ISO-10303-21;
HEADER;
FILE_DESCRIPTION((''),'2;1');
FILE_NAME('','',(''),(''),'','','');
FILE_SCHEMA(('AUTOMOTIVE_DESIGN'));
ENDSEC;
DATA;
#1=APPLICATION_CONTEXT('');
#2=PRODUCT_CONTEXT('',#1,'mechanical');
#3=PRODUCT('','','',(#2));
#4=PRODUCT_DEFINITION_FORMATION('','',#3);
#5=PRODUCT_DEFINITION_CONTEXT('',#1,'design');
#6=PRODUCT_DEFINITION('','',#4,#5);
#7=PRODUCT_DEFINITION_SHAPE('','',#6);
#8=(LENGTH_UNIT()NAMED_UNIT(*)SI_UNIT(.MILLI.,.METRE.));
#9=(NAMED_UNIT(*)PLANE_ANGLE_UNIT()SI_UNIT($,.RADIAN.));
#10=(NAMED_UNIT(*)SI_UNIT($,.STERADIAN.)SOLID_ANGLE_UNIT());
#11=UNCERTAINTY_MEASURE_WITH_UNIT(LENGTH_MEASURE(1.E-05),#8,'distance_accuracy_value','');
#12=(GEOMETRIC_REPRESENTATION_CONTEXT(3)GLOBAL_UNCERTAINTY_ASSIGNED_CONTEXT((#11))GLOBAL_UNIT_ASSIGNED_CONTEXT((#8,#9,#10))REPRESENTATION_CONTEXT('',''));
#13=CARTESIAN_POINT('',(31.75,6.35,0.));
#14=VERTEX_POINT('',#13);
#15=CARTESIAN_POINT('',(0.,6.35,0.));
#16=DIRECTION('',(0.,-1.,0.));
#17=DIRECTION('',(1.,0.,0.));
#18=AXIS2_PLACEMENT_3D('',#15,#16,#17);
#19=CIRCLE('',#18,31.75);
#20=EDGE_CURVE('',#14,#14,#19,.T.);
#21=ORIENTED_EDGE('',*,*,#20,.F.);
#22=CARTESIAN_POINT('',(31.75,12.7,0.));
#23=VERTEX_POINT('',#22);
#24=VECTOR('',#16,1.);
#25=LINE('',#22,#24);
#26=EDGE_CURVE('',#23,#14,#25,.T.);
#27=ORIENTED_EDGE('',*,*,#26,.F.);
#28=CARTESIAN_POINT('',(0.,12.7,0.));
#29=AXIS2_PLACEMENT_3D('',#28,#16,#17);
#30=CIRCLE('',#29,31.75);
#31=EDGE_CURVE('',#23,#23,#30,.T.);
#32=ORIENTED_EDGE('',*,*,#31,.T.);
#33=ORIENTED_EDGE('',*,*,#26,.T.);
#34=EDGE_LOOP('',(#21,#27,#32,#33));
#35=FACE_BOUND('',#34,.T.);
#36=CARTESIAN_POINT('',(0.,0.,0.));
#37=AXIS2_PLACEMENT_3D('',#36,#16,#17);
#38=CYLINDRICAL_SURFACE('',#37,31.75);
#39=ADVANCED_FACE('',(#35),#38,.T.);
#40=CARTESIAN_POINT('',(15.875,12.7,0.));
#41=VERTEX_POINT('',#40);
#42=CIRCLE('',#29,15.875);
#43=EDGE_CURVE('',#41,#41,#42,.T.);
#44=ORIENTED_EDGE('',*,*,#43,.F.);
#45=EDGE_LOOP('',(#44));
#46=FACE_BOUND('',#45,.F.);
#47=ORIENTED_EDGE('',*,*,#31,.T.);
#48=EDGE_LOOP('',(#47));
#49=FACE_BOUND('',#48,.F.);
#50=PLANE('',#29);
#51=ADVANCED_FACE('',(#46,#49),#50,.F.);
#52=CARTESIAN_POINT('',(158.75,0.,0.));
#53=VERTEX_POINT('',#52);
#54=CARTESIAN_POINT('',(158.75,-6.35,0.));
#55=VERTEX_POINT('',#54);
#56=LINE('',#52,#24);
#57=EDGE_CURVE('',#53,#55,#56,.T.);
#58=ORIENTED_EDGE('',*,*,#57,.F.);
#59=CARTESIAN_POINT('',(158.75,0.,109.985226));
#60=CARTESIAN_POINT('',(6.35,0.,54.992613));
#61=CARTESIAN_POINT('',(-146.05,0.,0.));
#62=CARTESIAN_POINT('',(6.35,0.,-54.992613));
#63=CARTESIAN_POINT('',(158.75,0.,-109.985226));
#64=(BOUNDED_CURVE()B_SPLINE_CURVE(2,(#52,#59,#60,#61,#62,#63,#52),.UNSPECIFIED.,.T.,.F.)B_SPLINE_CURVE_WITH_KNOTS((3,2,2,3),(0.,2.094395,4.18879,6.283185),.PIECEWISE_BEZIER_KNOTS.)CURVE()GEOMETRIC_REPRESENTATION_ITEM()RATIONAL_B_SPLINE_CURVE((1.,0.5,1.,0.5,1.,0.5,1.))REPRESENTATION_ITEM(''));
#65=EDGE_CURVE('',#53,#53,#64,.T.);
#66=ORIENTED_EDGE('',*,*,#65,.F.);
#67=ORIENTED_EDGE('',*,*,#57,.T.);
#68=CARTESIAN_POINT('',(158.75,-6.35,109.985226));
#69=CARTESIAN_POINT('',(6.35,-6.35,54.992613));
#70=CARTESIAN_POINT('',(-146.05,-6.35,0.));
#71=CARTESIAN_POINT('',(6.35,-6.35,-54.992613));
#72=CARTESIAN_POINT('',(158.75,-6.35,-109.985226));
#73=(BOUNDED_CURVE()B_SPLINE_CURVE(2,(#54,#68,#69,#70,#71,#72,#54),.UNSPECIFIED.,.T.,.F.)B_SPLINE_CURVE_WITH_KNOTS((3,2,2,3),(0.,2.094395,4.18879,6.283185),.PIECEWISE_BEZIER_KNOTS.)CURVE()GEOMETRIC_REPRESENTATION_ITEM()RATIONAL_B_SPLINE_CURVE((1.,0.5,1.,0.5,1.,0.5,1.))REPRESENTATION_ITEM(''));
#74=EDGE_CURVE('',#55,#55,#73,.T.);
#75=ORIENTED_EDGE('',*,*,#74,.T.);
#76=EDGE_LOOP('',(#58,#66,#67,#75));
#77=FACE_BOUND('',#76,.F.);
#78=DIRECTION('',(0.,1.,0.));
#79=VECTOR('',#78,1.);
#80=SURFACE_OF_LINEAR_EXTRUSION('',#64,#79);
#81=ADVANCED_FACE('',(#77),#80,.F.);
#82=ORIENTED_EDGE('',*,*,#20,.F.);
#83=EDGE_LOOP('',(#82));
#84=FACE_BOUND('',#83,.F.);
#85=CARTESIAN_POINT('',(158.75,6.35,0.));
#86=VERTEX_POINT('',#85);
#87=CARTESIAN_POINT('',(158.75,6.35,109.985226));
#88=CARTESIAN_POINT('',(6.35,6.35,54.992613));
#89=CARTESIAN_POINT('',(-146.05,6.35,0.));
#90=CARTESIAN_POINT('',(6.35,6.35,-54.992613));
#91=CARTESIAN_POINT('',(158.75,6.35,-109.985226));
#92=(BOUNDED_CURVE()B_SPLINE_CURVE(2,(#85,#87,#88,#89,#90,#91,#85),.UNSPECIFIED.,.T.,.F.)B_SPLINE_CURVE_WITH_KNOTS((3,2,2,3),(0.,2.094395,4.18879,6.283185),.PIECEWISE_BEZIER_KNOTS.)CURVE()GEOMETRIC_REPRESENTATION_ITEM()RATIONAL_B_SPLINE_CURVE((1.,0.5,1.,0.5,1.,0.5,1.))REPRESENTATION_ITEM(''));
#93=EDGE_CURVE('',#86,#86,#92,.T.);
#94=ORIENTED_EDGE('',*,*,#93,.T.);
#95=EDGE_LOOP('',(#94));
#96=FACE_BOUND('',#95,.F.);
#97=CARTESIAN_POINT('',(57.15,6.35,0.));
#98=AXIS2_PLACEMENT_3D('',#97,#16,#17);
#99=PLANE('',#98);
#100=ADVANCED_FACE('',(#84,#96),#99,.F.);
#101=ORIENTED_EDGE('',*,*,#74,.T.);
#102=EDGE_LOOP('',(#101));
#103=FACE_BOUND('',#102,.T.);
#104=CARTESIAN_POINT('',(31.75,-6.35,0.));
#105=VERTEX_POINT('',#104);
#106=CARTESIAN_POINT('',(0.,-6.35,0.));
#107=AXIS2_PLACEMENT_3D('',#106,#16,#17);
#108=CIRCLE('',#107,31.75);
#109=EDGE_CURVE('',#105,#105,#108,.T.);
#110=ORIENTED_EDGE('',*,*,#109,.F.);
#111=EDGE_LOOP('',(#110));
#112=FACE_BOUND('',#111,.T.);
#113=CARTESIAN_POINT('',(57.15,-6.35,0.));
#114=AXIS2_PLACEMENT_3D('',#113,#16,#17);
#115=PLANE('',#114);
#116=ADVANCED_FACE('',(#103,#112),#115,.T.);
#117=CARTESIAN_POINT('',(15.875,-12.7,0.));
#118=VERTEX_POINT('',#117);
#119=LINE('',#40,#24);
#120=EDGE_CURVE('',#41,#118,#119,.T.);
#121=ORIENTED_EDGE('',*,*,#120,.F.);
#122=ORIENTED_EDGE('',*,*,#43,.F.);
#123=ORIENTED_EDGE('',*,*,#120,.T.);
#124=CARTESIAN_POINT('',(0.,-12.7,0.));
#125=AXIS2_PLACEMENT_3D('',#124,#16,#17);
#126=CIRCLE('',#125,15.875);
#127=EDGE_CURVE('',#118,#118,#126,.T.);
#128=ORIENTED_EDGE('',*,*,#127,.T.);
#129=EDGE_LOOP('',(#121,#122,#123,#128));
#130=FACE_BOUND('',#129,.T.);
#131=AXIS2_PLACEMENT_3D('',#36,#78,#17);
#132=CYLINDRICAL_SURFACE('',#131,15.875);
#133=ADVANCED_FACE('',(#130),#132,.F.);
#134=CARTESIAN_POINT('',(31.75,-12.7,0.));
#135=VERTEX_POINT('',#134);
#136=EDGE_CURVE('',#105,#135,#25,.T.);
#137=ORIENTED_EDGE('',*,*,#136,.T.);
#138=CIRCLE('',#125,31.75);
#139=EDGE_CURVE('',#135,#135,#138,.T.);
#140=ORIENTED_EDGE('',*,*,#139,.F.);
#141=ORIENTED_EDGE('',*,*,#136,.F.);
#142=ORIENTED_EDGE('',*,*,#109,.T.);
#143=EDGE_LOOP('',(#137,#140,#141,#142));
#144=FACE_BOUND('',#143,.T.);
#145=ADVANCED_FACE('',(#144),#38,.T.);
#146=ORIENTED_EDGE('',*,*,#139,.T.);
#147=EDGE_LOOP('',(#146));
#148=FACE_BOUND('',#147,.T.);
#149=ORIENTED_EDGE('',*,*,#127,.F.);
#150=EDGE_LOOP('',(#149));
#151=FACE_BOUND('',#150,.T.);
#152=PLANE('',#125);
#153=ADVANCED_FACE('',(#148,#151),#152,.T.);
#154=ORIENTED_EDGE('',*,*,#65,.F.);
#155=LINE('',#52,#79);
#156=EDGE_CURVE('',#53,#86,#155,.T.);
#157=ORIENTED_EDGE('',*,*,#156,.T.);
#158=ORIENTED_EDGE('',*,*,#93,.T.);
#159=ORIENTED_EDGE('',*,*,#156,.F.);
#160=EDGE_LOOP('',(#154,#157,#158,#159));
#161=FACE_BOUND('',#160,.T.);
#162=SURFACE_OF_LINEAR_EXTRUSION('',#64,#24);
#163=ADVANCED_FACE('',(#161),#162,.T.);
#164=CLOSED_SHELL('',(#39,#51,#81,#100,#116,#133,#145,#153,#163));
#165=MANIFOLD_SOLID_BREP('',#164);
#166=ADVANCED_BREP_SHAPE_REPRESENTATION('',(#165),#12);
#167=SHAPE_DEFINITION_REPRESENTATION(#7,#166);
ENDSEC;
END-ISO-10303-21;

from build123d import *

# Parameters (mm, degrees)
F0_R     = 31.75
F0_R_2   = 15.875
F1_DEPTH = 12.7
F2_R     = 15.875
F3_DEPTH = 6.35


with BuildPart() as f1:
    # F0 (on Front) → F1 (new body, symmetric)
    with BuildSketch(Plane.XZ):
        Circle(F0_R)
        Circle(F0_R_2, mode=Mode.SUBTRACT)
    extrude(amount=F1_DEPTH, both=True)

    # F2 (on Front) → F3 (join, symmetric)
    with BuildSketch(Plane.XZ):
        with BuildLine():
            add(Edge.make_bspline(
                [(158.75, 0), (158.75, 109.985226), (6.35, 54.992613), (-146.05, 0), (6.35, -54.992613), (158.75, -109.985226), (158.75, 0)],
                knots=[0, 0, 0, 2.094395, 2.094395, 4.18879, 4.18879, 6.283185, 6.283185, 6.283185], degree=2, weights=[1, 0.5, 1, 0.5, 1, 0.5, 1]))
        make_face()
        Circle(F2_R, mode=Mode.SUBTRACT)
    extrude(amount=F3_DEPTH, both=True)


solid = f1.part
